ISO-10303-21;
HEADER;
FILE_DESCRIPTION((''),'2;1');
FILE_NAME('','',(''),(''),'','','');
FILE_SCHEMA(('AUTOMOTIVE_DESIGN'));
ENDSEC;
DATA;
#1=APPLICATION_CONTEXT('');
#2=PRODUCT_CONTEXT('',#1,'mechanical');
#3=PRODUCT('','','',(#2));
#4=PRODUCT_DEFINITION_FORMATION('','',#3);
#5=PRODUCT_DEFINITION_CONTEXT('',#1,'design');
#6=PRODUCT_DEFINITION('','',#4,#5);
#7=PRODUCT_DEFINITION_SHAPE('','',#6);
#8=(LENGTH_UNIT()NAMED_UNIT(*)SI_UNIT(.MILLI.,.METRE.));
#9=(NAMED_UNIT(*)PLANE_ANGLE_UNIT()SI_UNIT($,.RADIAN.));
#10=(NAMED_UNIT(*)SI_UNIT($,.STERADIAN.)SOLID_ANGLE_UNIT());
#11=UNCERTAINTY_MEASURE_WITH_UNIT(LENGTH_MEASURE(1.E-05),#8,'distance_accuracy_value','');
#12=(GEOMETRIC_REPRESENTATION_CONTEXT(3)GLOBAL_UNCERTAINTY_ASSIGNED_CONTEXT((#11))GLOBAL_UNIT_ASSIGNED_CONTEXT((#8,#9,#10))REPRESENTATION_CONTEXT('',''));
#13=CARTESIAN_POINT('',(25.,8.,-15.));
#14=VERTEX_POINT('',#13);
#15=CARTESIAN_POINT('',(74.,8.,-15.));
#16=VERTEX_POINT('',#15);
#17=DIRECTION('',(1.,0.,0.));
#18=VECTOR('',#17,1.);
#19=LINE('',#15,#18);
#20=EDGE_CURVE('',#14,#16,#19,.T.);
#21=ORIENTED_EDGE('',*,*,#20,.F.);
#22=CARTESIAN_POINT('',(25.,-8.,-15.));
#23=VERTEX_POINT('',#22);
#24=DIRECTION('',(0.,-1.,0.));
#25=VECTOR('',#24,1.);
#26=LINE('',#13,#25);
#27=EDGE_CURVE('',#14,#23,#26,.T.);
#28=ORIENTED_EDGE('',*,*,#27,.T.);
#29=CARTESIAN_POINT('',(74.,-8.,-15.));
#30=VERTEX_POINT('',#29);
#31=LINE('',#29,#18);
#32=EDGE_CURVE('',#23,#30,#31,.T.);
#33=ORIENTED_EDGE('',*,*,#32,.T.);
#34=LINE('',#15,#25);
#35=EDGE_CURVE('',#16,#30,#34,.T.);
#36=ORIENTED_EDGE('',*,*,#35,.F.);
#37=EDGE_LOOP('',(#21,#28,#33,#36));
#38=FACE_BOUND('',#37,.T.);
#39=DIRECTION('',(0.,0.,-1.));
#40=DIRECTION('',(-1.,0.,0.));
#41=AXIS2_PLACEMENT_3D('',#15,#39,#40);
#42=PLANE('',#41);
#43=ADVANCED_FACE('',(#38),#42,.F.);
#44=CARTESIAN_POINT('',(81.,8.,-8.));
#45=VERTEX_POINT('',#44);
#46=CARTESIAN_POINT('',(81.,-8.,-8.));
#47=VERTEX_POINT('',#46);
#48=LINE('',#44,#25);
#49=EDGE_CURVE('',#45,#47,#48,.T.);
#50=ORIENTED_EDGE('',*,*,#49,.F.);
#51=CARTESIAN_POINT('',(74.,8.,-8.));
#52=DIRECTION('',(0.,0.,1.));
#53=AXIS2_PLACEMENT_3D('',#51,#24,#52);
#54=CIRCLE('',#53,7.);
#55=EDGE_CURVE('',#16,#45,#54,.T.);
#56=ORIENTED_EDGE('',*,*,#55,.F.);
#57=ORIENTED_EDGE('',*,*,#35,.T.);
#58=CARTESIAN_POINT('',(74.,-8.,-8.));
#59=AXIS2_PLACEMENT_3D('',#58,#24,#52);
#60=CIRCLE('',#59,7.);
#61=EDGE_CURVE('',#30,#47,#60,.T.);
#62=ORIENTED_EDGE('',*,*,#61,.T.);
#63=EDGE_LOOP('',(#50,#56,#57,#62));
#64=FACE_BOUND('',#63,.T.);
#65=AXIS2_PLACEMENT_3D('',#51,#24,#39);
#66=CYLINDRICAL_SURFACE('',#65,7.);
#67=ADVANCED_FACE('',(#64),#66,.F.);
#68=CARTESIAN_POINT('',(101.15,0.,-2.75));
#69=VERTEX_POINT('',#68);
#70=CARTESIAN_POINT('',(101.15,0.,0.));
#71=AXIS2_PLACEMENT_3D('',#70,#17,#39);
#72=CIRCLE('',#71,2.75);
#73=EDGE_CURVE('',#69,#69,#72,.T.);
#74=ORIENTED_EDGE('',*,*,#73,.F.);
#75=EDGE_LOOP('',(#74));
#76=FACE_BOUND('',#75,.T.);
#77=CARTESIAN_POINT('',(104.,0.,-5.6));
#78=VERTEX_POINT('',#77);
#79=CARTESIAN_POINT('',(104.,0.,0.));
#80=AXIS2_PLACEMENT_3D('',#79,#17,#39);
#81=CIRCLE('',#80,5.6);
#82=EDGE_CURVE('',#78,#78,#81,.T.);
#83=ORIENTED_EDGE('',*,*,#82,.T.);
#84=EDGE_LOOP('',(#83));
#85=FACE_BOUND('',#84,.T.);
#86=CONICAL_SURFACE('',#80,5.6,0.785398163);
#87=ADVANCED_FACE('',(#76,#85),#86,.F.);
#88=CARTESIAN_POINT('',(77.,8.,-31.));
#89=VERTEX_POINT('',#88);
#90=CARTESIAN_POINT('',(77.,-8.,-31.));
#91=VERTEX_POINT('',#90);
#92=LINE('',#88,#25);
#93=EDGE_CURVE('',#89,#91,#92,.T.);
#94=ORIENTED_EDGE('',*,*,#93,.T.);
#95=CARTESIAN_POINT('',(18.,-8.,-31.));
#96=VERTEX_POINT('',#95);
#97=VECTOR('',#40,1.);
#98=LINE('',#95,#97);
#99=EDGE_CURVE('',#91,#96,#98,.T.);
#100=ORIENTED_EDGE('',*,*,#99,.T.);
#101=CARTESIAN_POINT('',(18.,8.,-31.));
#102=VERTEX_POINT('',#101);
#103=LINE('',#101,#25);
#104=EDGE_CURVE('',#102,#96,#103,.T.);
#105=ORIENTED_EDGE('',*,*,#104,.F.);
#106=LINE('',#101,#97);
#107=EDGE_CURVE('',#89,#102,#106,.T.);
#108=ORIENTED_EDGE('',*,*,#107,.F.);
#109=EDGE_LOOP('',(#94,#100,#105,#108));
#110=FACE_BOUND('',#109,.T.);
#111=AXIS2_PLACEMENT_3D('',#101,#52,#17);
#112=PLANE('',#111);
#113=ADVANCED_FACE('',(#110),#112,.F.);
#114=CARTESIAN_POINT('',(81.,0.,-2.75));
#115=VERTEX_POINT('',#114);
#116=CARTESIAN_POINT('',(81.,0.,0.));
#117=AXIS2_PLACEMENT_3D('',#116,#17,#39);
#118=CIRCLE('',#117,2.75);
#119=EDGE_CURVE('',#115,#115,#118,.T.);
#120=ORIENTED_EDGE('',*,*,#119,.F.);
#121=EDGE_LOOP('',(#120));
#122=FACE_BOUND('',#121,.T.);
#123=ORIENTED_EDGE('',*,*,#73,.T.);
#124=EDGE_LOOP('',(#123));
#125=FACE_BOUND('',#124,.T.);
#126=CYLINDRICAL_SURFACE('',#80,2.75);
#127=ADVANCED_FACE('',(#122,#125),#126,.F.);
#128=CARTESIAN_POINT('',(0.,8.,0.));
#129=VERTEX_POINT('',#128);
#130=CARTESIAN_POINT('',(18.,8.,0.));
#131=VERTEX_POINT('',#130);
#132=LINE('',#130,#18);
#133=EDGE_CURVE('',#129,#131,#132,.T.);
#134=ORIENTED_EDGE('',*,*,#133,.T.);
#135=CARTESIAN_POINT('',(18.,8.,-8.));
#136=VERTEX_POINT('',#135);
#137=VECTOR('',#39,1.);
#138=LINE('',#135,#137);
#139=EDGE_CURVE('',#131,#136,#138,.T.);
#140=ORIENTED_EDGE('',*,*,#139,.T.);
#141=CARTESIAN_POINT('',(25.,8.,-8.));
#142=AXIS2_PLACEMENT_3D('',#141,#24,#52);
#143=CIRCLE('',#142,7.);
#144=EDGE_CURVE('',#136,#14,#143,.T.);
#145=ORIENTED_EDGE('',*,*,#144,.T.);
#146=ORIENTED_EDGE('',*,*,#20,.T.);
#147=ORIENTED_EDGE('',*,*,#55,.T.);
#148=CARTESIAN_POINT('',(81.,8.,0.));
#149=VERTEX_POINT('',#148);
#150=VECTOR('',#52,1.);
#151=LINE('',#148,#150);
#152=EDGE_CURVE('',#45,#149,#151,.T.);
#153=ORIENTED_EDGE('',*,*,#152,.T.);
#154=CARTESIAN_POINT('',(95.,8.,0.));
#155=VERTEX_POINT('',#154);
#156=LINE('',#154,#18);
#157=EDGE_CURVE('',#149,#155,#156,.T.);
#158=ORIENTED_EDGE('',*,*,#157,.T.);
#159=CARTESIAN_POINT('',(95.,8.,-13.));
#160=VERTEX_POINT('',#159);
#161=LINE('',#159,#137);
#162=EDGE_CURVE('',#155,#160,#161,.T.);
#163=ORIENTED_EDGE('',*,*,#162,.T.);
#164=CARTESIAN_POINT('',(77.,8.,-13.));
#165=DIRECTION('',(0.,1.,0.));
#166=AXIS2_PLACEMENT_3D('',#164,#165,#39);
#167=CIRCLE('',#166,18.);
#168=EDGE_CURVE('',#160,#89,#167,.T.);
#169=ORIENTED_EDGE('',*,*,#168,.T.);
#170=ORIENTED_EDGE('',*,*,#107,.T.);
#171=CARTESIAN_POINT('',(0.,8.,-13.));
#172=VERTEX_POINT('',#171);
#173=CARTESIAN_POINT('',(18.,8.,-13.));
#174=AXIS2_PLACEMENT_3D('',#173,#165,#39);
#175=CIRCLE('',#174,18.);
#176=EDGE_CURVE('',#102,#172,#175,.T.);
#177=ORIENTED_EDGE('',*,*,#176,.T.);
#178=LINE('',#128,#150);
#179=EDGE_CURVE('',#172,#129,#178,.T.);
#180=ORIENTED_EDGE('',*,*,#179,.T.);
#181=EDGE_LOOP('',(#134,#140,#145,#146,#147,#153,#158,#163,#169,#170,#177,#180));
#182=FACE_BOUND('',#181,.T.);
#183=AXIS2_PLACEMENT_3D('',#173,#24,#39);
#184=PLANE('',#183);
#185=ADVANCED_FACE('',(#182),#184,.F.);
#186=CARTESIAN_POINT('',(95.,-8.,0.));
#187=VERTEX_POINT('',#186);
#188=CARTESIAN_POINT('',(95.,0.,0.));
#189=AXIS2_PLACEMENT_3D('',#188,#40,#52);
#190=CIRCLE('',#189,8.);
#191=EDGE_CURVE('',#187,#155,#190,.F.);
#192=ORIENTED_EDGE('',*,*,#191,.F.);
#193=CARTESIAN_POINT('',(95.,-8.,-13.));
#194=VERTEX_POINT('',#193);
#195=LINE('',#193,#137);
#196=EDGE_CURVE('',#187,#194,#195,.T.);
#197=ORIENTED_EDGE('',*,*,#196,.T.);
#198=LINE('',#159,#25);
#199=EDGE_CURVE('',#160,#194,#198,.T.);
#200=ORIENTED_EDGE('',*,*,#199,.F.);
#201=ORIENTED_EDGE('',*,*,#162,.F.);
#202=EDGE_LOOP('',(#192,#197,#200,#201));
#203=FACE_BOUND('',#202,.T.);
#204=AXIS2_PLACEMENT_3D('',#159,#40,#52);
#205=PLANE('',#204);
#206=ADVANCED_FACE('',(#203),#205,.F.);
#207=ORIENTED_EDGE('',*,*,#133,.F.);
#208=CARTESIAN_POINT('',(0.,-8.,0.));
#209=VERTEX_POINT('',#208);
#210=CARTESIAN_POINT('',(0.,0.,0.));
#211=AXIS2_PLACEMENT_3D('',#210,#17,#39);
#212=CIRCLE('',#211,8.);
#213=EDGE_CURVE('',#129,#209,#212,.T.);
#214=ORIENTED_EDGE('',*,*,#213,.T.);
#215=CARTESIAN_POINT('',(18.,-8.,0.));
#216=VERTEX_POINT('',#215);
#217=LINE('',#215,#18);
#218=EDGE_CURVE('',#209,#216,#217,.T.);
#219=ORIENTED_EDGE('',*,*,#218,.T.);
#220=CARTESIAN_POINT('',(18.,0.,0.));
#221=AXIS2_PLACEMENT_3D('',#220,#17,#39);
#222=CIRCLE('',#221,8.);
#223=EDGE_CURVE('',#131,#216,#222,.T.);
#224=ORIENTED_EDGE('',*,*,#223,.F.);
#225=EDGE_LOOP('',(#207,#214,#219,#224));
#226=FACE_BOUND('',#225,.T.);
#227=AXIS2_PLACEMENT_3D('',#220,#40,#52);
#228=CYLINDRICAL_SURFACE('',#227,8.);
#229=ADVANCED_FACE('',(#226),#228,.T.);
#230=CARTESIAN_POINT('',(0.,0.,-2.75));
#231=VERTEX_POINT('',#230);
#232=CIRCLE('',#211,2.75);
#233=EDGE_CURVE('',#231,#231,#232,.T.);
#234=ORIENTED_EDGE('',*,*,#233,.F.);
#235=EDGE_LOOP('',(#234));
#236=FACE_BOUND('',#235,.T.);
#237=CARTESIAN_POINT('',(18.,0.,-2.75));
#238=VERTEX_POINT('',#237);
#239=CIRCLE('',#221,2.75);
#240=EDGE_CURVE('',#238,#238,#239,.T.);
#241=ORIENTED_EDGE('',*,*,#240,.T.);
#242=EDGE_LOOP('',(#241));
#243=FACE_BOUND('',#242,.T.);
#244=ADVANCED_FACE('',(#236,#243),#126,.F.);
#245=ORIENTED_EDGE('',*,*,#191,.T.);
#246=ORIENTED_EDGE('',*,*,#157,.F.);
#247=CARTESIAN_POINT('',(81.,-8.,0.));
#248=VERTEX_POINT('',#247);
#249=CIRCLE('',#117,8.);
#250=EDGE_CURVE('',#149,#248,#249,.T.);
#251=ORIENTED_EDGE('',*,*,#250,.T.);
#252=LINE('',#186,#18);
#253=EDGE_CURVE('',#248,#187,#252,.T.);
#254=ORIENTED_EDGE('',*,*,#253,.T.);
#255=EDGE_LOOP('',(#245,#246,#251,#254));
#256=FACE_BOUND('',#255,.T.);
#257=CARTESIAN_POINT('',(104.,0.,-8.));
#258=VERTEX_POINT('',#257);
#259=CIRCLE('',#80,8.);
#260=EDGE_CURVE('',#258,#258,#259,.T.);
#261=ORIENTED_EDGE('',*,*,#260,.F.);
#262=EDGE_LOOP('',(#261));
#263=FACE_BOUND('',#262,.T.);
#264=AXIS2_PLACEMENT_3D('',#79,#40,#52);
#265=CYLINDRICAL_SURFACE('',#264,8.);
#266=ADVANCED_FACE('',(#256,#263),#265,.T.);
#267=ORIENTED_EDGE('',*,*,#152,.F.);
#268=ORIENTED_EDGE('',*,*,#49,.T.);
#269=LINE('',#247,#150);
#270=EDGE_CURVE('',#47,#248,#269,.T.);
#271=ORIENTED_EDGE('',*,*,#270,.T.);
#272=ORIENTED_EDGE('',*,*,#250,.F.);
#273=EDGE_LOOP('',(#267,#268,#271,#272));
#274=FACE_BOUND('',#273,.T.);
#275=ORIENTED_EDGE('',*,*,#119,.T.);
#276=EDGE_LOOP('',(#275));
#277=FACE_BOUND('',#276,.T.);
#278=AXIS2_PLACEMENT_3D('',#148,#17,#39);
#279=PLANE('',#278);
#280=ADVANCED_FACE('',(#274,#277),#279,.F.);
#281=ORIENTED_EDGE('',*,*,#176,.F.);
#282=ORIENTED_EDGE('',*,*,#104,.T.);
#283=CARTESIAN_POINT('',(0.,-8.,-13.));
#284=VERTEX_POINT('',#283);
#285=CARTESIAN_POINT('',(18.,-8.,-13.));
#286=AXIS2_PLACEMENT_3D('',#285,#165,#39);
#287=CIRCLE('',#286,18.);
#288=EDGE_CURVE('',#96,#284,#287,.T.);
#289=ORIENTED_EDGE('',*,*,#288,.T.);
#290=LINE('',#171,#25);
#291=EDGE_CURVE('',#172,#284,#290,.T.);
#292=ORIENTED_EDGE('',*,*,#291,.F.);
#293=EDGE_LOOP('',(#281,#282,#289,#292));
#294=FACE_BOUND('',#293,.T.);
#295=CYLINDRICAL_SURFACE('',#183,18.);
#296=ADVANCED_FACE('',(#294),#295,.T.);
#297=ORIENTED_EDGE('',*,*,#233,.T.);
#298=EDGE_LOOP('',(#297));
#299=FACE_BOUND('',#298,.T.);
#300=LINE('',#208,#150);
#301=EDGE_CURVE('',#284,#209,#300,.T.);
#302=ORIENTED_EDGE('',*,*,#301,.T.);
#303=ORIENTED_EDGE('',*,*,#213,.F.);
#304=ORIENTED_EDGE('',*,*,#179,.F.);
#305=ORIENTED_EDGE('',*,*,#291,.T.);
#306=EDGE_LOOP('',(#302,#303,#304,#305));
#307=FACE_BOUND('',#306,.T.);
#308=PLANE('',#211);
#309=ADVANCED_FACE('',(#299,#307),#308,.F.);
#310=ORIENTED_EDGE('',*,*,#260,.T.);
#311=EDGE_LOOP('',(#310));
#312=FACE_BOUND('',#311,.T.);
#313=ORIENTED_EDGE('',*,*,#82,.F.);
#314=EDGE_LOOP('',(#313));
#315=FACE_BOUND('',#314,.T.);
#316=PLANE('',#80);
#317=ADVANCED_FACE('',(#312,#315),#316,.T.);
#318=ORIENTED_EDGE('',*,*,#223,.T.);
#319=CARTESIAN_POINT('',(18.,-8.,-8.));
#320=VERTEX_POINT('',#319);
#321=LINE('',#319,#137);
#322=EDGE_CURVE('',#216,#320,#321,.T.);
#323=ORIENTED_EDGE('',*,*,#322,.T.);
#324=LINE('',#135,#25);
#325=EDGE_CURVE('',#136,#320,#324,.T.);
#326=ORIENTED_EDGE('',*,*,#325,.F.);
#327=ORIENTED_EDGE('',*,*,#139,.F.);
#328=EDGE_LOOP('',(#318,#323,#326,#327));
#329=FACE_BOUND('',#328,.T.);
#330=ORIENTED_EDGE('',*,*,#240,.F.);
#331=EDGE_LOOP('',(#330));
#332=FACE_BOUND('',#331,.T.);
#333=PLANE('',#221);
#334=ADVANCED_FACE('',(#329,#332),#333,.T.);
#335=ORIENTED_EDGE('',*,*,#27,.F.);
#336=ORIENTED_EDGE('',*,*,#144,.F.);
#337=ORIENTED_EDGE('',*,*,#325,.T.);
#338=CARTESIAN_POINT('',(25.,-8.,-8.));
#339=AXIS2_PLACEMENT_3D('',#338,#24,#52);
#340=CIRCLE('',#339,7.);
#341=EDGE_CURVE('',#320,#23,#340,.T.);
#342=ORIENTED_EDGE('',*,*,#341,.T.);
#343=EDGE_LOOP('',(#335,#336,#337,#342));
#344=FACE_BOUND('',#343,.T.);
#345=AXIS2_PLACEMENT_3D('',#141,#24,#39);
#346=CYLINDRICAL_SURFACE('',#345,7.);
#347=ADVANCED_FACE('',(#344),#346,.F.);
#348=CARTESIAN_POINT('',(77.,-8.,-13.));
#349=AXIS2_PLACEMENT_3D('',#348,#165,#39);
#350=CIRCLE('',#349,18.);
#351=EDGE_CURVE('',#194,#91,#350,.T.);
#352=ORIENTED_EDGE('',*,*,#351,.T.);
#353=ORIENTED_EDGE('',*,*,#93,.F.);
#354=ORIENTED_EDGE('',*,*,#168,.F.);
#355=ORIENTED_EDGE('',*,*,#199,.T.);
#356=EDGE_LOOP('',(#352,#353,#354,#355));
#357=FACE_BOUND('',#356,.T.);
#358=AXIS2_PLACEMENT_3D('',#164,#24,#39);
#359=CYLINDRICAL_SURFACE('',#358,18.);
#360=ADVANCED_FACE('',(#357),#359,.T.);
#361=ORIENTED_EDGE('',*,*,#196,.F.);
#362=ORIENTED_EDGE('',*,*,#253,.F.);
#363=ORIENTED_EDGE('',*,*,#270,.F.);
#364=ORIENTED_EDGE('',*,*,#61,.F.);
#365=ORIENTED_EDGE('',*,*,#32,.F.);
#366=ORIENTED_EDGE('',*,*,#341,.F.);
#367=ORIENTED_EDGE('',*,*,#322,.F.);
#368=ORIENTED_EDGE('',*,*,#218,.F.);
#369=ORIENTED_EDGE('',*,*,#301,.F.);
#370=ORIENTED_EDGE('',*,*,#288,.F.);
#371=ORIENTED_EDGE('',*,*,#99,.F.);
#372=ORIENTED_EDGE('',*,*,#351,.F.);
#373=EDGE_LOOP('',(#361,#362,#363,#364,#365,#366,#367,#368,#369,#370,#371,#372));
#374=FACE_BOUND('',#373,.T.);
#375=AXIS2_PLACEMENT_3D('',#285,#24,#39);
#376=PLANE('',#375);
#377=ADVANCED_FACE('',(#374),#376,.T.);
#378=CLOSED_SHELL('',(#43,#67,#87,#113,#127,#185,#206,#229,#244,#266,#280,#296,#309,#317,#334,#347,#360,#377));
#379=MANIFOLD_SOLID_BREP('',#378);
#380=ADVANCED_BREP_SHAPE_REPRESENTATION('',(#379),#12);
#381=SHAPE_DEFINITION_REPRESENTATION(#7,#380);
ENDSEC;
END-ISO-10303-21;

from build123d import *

# Parameters (mm, degrees)
SKETCH1_R                                       = 8
BOSS_EXTRUDE1_DEPTH                             = 18
SKETCH3_R                                       = 8
BOSS_EXTRUDE2_DEPTH                             = 23
BOSS_EXTRUDE3_DEPTH                             = 8
CSK_FOR_M5_FLAT_HEAD_MACHINE_SCREW1_D           = 5.5
CSK_FOR_M5_FLAT_HEAD_MACHINE_SCREW1_CSINK_D     = 11.2
CSK_FOR_M5_FLAT_HEAD_MACHINE_SCREW1_CSINK_ANGLE = 90


with BuildPart() as part:
    # Sketch1 → Boss-Extrude1 (new body)
    with BuildSketch(Plane.YZ):
        Circle(SKETCH1_R)
    extrude(amount=BOSS_EXTRUDE1_DEPTH)



with BuildPart() as body_2:
    # Sketch3 → Boss-Extrude2 (new body)
    with BuildSketch(Plane(origin=(81, 0, 0), x_dir=(0, 0, -1), z_dir=(1, 0, 0))):
        Circle(SKETCH3_R)
    extrude(amount=BOSS_EXTRUDE2_DEPTH)


with BuildPart() as part_1:
    add(part.part)

    add(body_2.part)  # Boss-Extrude3 merges body 2
    # Sketch7 → Boss-Extrude3 (add, symmetric)
    with BuildSketch(Plane(origin=(0, 0, 0), x_dir=(-1, 0, 0), z_dir=(0, 1, 0))):
        with BuildLine():
            Line((0, 0), (0, -13))
            ThreePointArc((0, -13), (-5.272077939, -25.727922061), (-18, -31))
            Line((-18, -31), (-77, -31))
            ThreePointArc((-77, -31), (-89.727922061, -25.727922061), (-95, -13))
            Line((-95, -13), (-95, 0))
            Line((-95, 0), (-81, 0))
            Line((-81, 0), (-81, -8))
            ThreePointArc((-81, -8), (-78.949747468, -12.949747468), (-74, -15))
            Line((-74, -15), (-25, -15))
            ThreePointArc((-25, -15), (-20.050252532, -12.949747468), (-18, -8))
            Line((-18, -8), (-18, 0))
            Line((-18, 0), (0, 0))
        make_face()
    extrude(amount=BOSS_EXTRUDE3_DEPTH, both=True)

    # CSK for M5 Flat Head Machine Screw1 (through all)
    with Locations(Plane.YZ.offset(104)):
        with Locations((0, 0)):
            CounterSinkHole(CSK_FOR_M5_FLAT_HEAD_MACHINE_SCREW1_D / 2, CSK_FOR_M5_FLAT_HEAD_MACHINE_SCREW1_CSINK_D / 2, counter_sink_angle=CSK_FOR_M5_FLAT_HEAD_MACHINE_SCREW1_CSINK_ANGLE)


solid = part_1.part
